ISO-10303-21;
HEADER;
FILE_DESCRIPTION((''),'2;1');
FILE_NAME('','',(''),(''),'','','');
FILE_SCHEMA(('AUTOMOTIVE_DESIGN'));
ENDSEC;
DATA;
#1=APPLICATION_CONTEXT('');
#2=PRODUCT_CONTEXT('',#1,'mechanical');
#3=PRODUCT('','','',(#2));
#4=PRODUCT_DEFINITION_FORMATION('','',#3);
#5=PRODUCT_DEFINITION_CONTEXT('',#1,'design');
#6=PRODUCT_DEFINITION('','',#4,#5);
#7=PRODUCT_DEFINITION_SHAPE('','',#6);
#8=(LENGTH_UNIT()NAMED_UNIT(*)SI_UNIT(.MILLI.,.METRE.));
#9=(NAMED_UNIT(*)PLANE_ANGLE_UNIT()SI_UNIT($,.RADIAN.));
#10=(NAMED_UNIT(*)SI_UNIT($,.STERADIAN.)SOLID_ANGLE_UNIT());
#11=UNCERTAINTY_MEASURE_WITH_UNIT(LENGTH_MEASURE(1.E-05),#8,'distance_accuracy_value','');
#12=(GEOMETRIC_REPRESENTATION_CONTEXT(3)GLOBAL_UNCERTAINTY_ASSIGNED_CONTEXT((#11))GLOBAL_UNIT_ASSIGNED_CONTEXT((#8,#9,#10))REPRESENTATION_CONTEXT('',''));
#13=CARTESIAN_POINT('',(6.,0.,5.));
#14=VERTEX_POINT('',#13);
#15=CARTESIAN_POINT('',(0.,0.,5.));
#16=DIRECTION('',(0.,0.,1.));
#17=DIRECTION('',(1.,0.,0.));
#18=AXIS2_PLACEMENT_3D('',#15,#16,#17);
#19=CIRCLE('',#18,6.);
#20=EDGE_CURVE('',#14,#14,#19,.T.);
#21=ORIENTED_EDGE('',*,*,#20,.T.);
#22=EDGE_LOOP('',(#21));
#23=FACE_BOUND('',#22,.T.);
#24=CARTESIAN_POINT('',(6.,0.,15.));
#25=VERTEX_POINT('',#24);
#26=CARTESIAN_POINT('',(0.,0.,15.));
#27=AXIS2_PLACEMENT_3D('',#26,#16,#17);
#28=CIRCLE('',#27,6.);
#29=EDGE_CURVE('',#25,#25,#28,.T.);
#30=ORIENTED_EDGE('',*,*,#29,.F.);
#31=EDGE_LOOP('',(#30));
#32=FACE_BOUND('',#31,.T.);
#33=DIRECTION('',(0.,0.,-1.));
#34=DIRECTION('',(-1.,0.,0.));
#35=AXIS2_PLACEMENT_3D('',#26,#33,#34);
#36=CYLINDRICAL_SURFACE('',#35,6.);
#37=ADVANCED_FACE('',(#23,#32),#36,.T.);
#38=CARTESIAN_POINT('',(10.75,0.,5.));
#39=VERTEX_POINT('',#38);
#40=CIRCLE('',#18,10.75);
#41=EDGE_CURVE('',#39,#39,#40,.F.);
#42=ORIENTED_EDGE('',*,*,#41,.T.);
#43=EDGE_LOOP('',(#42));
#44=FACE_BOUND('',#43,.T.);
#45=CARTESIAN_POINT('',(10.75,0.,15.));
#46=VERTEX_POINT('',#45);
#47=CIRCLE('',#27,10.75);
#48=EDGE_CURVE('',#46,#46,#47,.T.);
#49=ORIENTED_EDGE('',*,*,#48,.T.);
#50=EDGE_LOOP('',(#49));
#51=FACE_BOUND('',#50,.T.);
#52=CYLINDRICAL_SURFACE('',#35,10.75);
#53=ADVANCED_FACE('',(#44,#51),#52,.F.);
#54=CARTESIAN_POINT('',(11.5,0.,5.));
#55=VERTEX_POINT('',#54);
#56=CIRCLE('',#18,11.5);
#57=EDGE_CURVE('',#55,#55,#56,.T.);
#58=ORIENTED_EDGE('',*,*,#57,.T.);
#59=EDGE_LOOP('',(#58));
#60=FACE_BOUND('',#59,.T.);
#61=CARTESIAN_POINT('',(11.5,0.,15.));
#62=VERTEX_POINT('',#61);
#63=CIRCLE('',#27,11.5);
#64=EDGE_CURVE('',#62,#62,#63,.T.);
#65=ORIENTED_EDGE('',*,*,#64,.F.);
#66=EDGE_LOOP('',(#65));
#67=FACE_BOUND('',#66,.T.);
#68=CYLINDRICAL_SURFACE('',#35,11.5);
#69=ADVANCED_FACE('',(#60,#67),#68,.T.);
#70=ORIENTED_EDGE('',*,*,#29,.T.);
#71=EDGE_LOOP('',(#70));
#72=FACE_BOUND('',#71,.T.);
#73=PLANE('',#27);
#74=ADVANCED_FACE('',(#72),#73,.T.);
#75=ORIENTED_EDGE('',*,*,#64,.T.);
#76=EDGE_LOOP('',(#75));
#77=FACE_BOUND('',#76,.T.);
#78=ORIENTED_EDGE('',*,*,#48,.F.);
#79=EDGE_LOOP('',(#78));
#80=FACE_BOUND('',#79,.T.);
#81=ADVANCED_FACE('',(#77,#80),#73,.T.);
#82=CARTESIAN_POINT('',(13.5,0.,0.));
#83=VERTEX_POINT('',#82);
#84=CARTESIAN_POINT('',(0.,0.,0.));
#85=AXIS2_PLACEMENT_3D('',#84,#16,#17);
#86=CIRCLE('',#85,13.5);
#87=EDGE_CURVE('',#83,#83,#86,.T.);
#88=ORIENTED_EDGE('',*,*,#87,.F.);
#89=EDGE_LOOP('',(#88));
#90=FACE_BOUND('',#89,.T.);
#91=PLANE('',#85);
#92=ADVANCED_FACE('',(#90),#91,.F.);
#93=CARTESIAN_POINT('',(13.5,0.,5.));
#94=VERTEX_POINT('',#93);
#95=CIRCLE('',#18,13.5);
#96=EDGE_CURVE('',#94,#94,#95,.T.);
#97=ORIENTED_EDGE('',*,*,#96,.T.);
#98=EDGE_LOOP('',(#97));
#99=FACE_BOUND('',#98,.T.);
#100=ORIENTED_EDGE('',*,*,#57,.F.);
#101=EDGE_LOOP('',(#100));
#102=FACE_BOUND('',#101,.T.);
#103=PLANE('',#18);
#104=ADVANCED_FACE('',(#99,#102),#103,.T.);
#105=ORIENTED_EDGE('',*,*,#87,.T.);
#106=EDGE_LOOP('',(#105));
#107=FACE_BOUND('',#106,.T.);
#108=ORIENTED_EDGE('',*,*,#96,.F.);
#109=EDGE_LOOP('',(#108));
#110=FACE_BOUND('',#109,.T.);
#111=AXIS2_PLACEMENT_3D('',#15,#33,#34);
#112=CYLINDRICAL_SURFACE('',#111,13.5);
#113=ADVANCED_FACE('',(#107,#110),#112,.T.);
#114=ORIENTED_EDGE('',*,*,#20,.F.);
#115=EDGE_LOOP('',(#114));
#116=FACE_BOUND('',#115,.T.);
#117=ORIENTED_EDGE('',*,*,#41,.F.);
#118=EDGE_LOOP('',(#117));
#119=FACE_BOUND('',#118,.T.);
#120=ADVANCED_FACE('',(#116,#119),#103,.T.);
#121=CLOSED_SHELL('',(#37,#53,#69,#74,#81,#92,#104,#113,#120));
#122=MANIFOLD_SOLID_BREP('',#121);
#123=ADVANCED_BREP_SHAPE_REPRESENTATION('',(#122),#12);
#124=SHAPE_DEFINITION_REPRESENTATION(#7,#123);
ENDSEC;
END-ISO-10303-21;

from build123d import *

# Parameters (mm, degrees)
SKETCH1_R           = 13.5
BOSS_EXTRUDE1_DEPTH = 5
SKETCH2_R           = 11.5
SKETCH2_R_2         = 10.75
BOSS_EXTRUDE2_DEPTH = 10
SKETCH3_R           = 6
BOSS_EXTRUDE3_DEPTH = 10


with BuildPart() as part:
    # Sketch1 → Boss-Extrude1 (new body)
    with BuildSketch(Plane.XY):
        Circle(SKETCH1_R)
    extrude(amount=BOSS_EXTRUDE1_DEPTH)

    # Sketch2 → Boss-Extrude2 (add)
    with BuildSketch(Plane.XY.offset(5)):
        Circle(SKETCH2_R)
        Circle(SKETCH2_R_2, mode=Mode.SUBTRACT)
    extrude(amount=BOSS_EXTRUDE2_DEPTH)

    # Sketch3 → Boss-Extrude3 (add)
    with BuildSketch(Plane.XY.offset(5)):
        Circle(SKETCH3_R)
    extrude(amount=BOSS_EXTRUDE3_DEPTH)


solid = part.part
